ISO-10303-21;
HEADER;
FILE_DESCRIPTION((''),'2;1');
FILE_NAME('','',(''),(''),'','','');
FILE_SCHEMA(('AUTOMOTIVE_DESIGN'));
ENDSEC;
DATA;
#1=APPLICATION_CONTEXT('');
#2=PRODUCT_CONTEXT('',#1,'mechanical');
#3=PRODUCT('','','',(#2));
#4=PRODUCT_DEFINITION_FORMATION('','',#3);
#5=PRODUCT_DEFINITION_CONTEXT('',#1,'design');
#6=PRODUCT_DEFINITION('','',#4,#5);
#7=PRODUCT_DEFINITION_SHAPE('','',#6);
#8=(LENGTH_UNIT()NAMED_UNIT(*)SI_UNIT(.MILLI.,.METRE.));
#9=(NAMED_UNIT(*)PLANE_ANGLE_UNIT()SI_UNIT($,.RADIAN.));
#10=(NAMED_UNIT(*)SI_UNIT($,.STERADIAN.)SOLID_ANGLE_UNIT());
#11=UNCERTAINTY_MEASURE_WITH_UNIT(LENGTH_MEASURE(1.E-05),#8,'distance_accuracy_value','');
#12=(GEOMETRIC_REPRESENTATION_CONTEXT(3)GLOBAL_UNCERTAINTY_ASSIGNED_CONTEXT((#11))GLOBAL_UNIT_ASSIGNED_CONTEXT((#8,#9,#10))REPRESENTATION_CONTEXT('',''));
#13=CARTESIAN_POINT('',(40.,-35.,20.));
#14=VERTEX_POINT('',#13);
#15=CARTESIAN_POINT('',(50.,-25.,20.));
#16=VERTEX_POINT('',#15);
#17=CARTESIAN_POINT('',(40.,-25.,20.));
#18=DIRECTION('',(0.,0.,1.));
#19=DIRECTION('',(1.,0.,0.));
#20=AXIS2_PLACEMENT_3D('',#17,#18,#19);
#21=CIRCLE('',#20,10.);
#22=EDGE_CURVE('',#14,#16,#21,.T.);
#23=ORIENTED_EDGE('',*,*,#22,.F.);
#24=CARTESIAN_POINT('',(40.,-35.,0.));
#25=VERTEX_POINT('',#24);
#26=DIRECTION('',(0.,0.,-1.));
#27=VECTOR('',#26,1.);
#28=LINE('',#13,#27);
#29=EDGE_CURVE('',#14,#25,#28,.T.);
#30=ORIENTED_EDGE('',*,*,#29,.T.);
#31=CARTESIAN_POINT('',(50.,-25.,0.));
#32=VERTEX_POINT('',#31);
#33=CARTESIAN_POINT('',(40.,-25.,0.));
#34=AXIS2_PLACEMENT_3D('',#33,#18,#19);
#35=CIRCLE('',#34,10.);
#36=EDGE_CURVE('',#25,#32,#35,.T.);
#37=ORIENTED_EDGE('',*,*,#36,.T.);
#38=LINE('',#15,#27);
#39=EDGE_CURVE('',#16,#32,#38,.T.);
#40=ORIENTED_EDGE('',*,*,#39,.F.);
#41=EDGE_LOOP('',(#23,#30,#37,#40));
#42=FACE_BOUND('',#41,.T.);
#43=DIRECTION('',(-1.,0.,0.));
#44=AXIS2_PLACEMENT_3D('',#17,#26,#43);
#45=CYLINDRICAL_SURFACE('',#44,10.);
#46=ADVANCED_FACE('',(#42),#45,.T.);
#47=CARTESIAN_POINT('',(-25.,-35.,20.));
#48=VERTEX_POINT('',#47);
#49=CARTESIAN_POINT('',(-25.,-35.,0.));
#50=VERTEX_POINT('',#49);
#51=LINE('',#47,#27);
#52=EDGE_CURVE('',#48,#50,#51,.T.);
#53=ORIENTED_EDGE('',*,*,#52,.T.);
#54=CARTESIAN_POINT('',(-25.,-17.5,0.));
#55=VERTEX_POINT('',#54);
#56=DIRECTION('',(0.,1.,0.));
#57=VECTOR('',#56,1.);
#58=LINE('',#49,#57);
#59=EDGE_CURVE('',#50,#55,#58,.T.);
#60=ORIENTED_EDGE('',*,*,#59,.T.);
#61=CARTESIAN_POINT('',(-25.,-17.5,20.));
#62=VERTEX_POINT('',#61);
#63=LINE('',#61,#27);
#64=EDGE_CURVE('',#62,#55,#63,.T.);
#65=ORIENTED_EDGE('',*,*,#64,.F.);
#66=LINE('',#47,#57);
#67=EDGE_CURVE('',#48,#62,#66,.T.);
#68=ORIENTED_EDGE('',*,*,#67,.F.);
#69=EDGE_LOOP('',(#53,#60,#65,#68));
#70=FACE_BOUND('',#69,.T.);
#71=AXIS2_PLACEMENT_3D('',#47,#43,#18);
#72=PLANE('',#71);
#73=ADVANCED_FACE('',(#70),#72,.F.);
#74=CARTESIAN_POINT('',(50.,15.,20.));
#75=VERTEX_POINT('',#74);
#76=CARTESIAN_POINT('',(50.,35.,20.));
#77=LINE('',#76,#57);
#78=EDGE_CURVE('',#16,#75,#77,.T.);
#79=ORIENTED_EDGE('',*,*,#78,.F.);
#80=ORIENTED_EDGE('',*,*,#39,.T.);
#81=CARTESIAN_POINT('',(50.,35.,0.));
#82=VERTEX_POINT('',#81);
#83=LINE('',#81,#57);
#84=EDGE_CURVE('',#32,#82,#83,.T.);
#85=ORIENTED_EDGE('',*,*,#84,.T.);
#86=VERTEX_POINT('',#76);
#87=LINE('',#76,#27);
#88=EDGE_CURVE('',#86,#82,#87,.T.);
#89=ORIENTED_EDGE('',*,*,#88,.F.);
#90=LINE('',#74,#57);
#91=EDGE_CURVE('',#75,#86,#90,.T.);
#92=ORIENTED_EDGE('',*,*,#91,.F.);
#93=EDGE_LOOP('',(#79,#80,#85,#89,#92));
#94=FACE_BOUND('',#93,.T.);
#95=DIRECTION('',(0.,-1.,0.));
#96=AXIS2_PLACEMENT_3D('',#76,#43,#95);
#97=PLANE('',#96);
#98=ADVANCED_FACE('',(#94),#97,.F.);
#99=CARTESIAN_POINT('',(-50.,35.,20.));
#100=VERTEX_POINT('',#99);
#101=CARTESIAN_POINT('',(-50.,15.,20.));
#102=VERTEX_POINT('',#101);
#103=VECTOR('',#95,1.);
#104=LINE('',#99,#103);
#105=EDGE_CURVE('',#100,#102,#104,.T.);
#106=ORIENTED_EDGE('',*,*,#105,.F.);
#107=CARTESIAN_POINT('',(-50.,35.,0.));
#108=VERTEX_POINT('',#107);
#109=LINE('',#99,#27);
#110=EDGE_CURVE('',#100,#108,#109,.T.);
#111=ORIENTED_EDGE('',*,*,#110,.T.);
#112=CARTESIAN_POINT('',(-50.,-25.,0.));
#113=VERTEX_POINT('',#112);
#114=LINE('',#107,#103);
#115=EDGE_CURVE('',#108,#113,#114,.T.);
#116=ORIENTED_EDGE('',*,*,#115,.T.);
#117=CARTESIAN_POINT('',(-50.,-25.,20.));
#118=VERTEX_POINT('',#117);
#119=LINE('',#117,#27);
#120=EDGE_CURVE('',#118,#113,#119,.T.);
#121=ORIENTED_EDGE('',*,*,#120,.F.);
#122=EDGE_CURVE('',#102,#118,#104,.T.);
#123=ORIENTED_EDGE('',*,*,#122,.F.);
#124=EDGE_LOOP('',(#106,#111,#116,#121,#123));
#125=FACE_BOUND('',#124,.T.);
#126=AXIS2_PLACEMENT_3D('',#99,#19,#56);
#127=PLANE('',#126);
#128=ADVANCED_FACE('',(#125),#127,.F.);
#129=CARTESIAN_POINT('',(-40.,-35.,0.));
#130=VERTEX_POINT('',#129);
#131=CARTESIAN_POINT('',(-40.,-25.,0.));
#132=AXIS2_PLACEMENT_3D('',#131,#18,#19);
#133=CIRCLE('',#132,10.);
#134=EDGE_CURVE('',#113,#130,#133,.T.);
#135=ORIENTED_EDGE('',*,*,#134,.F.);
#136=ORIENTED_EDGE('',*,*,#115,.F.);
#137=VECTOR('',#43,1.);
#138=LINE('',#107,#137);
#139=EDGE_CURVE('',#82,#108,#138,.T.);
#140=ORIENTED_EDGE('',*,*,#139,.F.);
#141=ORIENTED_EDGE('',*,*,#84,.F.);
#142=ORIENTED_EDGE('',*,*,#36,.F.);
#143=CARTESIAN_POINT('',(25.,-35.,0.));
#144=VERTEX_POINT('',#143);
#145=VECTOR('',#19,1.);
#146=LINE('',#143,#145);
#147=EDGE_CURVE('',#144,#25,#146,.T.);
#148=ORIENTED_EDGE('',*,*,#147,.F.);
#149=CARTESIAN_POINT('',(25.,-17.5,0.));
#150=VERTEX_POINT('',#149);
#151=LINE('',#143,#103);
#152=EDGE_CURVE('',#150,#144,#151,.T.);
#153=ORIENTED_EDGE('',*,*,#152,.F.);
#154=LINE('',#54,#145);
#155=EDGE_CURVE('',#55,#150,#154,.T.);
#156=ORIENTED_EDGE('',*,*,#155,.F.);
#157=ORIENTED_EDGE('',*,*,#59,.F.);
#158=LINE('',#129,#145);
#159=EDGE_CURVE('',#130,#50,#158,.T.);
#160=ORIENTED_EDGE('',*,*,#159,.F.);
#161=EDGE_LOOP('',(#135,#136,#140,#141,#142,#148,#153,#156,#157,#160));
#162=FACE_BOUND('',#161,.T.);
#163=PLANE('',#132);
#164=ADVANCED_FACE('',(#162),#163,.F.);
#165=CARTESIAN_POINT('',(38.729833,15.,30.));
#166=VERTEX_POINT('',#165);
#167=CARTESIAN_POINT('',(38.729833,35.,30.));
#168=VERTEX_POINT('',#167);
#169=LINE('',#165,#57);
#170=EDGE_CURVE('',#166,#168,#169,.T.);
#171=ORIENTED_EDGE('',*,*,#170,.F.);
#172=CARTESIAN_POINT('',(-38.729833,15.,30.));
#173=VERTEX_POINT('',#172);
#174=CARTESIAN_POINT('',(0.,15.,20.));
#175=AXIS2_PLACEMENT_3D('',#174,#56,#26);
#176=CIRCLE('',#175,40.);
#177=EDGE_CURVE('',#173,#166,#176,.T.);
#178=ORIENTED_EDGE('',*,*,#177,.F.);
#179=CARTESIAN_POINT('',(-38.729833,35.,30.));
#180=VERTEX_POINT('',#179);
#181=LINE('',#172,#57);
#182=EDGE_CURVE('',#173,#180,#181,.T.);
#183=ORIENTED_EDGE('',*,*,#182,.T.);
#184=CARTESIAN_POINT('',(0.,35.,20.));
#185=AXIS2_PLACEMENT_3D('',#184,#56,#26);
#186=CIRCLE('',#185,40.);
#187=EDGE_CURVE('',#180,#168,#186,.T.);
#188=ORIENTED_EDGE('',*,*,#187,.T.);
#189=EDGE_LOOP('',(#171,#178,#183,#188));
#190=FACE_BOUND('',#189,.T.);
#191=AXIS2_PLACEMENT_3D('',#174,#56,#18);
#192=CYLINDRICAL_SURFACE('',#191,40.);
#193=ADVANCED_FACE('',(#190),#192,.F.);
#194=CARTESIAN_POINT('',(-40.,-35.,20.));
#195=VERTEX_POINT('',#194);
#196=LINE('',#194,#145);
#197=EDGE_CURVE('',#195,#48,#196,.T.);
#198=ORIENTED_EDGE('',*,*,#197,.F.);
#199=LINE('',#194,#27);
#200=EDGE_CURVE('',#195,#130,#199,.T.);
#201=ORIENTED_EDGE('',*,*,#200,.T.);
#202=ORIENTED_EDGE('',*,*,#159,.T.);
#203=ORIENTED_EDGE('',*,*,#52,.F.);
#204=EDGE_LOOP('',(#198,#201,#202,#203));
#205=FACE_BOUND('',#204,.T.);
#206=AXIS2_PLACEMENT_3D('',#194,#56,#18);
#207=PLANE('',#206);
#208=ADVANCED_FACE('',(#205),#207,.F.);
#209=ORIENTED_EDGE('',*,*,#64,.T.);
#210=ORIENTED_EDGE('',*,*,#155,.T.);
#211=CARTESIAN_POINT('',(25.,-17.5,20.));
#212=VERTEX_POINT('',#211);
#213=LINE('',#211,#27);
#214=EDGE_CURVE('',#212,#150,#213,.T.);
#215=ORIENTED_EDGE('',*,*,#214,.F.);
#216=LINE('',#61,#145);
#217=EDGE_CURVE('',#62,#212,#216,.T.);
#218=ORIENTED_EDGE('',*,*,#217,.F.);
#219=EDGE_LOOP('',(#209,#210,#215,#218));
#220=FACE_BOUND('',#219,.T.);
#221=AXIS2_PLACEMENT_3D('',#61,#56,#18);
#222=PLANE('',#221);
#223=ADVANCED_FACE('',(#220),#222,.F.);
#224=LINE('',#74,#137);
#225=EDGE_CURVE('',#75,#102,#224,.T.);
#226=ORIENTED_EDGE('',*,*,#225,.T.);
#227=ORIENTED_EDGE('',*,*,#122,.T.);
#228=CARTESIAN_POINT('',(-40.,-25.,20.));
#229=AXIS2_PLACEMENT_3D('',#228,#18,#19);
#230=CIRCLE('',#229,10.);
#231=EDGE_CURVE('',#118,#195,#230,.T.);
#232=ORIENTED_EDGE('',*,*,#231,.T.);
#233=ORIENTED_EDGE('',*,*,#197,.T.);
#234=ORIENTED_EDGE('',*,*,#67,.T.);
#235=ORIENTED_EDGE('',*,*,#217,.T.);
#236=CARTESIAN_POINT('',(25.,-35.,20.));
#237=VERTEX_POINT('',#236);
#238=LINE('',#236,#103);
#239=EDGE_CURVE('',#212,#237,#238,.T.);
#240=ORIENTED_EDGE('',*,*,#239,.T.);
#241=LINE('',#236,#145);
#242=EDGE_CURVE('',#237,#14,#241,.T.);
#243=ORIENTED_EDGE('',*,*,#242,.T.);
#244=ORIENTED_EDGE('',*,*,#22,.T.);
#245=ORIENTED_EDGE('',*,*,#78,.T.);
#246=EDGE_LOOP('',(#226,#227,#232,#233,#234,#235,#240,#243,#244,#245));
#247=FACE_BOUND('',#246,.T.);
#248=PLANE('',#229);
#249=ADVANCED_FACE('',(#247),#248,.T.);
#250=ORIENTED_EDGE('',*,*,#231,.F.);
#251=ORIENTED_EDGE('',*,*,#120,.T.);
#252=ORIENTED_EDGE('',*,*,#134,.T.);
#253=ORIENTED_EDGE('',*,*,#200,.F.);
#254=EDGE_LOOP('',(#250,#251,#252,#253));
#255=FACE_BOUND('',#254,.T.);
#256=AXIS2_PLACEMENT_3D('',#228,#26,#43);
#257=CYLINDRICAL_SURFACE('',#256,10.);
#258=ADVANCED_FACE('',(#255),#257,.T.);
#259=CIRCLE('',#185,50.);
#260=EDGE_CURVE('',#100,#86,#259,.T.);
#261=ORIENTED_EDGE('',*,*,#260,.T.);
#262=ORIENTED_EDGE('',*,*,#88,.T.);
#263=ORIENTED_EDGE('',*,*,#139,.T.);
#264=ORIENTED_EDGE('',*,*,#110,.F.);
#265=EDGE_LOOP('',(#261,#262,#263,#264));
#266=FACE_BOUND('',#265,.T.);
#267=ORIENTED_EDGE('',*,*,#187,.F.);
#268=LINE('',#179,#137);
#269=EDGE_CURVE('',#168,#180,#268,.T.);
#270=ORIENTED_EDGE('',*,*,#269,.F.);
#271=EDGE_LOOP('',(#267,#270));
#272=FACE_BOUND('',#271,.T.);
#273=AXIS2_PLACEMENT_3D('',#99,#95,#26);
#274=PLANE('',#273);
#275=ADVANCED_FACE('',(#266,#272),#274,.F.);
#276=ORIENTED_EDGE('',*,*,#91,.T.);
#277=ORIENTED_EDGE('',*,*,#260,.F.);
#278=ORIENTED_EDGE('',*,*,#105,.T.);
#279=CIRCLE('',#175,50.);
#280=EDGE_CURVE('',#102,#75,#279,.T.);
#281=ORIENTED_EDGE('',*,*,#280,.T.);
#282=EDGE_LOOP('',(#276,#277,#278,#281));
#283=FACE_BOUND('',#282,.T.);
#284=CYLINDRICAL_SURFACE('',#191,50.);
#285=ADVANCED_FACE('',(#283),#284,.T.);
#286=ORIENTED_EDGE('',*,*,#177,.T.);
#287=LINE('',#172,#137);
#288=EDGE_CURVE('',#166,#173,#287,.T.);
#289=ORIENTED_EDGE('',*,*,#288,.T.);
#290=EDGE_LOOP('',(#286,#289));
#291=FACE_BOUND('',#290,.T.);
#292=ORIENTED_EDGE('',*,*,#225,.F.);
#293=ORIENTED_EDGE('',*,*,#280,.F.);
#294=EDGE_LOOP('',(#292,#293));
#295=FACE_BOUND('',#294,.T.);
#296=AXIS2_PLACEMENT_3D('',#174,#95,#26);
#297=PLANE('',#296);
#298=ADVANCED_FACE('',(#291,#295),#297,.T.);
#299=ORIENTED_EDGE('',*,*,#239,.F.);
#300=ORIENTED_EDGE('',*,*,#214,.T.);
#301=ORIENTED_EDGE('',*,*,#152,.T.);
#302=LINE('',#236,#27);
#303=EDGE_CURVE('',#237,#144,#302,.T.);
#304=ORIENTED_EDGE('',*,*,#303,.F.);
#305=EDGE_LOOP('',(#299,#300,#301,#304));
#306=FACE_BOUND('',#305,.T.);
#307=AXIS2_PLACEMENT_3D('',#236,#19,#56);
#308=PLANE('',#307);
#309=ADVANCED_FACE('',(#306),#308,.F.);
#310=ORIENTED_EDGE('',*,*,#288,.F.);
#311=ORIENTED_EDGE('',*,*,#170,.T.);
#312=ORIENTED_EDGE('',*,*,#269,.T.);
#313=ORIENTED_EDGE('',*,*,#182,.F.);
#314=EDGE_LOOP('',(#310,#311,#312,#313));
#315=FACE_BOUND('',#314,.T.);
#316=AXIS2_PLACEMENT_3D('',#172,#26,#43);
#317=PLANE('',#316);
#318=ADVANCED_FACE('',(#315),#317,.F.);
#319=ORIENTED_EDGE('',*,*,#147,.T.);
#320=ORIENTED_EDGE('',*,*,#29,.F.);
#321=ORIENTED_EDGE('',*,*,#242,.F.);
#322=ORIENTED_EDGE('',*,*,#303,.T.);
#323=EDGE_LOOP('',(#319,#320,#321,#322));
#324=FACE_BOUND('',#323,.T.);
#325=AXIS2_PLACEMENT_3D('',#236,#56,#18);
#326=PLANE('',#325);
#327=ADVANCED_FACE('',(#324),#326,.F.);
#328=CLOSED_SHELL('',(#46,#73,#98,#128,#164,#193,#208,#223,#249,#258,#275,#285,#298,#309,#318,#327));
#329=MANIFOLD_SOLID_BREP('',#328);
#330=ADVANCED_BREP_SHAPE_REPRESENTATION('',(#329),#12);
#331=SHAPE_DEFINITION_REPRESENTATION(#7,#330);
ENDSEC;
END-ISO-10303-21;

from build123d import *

# Parameters (mm, degrees)
EXTRUDE_1_DEPTH = 20
EXTRUDE_2_DEPTH = 20


with BuildPart() as part:
    # 草圖1 → 填料-伸長1 (new body)
    with BuildSketch(Plane.XY):
        with BuildLine():
            Line((25, -35), (40, -35))
            ThreePointArc((40, -35), (47.071067812, -32.071067812), (50, -25))
            Line((50, -25), (50, 35))
            Line((50, 35), (-50, 35))
            Line((-50, 35), (-50, -25))
            ThreePointArc((-50, -25), (-47.071067812, -32.071067812), (-40, -35))
            Line((-40, -35), (-25, -35))
            Line((-25, -35), (-25, -17.5))
            Line((-25, -17.5), (25, -17.5))
            Line((25, -17.5), (25, -35))
        make_face()
    extrude(amount=EXTRUDE_1_DEPTH)

    # 草圖2 → 填料-伸長2 (add)
    with BuildSketch(Plane(origin=(0, 35, 0), x_dir=(1, 0, 0), z_dir=(0, 1, 0))):
        with BuildLine():
            Line((50, -20), (-50, -20))
            ThreePointArc((-50, -20), (0, -70), (50, -20))
        make_face()
        with BuildLine():
            Line((-38.729833462, -30), (38.729833462, -30))
            ThreePointArc((38.729833462, -30), (0, -60), (-38.729833462, -30))
        make_face(mode=Mode.SUBTRACT)
    extrude(amount=-EXTRUDE_2_DEPTH)


solid = part.part
